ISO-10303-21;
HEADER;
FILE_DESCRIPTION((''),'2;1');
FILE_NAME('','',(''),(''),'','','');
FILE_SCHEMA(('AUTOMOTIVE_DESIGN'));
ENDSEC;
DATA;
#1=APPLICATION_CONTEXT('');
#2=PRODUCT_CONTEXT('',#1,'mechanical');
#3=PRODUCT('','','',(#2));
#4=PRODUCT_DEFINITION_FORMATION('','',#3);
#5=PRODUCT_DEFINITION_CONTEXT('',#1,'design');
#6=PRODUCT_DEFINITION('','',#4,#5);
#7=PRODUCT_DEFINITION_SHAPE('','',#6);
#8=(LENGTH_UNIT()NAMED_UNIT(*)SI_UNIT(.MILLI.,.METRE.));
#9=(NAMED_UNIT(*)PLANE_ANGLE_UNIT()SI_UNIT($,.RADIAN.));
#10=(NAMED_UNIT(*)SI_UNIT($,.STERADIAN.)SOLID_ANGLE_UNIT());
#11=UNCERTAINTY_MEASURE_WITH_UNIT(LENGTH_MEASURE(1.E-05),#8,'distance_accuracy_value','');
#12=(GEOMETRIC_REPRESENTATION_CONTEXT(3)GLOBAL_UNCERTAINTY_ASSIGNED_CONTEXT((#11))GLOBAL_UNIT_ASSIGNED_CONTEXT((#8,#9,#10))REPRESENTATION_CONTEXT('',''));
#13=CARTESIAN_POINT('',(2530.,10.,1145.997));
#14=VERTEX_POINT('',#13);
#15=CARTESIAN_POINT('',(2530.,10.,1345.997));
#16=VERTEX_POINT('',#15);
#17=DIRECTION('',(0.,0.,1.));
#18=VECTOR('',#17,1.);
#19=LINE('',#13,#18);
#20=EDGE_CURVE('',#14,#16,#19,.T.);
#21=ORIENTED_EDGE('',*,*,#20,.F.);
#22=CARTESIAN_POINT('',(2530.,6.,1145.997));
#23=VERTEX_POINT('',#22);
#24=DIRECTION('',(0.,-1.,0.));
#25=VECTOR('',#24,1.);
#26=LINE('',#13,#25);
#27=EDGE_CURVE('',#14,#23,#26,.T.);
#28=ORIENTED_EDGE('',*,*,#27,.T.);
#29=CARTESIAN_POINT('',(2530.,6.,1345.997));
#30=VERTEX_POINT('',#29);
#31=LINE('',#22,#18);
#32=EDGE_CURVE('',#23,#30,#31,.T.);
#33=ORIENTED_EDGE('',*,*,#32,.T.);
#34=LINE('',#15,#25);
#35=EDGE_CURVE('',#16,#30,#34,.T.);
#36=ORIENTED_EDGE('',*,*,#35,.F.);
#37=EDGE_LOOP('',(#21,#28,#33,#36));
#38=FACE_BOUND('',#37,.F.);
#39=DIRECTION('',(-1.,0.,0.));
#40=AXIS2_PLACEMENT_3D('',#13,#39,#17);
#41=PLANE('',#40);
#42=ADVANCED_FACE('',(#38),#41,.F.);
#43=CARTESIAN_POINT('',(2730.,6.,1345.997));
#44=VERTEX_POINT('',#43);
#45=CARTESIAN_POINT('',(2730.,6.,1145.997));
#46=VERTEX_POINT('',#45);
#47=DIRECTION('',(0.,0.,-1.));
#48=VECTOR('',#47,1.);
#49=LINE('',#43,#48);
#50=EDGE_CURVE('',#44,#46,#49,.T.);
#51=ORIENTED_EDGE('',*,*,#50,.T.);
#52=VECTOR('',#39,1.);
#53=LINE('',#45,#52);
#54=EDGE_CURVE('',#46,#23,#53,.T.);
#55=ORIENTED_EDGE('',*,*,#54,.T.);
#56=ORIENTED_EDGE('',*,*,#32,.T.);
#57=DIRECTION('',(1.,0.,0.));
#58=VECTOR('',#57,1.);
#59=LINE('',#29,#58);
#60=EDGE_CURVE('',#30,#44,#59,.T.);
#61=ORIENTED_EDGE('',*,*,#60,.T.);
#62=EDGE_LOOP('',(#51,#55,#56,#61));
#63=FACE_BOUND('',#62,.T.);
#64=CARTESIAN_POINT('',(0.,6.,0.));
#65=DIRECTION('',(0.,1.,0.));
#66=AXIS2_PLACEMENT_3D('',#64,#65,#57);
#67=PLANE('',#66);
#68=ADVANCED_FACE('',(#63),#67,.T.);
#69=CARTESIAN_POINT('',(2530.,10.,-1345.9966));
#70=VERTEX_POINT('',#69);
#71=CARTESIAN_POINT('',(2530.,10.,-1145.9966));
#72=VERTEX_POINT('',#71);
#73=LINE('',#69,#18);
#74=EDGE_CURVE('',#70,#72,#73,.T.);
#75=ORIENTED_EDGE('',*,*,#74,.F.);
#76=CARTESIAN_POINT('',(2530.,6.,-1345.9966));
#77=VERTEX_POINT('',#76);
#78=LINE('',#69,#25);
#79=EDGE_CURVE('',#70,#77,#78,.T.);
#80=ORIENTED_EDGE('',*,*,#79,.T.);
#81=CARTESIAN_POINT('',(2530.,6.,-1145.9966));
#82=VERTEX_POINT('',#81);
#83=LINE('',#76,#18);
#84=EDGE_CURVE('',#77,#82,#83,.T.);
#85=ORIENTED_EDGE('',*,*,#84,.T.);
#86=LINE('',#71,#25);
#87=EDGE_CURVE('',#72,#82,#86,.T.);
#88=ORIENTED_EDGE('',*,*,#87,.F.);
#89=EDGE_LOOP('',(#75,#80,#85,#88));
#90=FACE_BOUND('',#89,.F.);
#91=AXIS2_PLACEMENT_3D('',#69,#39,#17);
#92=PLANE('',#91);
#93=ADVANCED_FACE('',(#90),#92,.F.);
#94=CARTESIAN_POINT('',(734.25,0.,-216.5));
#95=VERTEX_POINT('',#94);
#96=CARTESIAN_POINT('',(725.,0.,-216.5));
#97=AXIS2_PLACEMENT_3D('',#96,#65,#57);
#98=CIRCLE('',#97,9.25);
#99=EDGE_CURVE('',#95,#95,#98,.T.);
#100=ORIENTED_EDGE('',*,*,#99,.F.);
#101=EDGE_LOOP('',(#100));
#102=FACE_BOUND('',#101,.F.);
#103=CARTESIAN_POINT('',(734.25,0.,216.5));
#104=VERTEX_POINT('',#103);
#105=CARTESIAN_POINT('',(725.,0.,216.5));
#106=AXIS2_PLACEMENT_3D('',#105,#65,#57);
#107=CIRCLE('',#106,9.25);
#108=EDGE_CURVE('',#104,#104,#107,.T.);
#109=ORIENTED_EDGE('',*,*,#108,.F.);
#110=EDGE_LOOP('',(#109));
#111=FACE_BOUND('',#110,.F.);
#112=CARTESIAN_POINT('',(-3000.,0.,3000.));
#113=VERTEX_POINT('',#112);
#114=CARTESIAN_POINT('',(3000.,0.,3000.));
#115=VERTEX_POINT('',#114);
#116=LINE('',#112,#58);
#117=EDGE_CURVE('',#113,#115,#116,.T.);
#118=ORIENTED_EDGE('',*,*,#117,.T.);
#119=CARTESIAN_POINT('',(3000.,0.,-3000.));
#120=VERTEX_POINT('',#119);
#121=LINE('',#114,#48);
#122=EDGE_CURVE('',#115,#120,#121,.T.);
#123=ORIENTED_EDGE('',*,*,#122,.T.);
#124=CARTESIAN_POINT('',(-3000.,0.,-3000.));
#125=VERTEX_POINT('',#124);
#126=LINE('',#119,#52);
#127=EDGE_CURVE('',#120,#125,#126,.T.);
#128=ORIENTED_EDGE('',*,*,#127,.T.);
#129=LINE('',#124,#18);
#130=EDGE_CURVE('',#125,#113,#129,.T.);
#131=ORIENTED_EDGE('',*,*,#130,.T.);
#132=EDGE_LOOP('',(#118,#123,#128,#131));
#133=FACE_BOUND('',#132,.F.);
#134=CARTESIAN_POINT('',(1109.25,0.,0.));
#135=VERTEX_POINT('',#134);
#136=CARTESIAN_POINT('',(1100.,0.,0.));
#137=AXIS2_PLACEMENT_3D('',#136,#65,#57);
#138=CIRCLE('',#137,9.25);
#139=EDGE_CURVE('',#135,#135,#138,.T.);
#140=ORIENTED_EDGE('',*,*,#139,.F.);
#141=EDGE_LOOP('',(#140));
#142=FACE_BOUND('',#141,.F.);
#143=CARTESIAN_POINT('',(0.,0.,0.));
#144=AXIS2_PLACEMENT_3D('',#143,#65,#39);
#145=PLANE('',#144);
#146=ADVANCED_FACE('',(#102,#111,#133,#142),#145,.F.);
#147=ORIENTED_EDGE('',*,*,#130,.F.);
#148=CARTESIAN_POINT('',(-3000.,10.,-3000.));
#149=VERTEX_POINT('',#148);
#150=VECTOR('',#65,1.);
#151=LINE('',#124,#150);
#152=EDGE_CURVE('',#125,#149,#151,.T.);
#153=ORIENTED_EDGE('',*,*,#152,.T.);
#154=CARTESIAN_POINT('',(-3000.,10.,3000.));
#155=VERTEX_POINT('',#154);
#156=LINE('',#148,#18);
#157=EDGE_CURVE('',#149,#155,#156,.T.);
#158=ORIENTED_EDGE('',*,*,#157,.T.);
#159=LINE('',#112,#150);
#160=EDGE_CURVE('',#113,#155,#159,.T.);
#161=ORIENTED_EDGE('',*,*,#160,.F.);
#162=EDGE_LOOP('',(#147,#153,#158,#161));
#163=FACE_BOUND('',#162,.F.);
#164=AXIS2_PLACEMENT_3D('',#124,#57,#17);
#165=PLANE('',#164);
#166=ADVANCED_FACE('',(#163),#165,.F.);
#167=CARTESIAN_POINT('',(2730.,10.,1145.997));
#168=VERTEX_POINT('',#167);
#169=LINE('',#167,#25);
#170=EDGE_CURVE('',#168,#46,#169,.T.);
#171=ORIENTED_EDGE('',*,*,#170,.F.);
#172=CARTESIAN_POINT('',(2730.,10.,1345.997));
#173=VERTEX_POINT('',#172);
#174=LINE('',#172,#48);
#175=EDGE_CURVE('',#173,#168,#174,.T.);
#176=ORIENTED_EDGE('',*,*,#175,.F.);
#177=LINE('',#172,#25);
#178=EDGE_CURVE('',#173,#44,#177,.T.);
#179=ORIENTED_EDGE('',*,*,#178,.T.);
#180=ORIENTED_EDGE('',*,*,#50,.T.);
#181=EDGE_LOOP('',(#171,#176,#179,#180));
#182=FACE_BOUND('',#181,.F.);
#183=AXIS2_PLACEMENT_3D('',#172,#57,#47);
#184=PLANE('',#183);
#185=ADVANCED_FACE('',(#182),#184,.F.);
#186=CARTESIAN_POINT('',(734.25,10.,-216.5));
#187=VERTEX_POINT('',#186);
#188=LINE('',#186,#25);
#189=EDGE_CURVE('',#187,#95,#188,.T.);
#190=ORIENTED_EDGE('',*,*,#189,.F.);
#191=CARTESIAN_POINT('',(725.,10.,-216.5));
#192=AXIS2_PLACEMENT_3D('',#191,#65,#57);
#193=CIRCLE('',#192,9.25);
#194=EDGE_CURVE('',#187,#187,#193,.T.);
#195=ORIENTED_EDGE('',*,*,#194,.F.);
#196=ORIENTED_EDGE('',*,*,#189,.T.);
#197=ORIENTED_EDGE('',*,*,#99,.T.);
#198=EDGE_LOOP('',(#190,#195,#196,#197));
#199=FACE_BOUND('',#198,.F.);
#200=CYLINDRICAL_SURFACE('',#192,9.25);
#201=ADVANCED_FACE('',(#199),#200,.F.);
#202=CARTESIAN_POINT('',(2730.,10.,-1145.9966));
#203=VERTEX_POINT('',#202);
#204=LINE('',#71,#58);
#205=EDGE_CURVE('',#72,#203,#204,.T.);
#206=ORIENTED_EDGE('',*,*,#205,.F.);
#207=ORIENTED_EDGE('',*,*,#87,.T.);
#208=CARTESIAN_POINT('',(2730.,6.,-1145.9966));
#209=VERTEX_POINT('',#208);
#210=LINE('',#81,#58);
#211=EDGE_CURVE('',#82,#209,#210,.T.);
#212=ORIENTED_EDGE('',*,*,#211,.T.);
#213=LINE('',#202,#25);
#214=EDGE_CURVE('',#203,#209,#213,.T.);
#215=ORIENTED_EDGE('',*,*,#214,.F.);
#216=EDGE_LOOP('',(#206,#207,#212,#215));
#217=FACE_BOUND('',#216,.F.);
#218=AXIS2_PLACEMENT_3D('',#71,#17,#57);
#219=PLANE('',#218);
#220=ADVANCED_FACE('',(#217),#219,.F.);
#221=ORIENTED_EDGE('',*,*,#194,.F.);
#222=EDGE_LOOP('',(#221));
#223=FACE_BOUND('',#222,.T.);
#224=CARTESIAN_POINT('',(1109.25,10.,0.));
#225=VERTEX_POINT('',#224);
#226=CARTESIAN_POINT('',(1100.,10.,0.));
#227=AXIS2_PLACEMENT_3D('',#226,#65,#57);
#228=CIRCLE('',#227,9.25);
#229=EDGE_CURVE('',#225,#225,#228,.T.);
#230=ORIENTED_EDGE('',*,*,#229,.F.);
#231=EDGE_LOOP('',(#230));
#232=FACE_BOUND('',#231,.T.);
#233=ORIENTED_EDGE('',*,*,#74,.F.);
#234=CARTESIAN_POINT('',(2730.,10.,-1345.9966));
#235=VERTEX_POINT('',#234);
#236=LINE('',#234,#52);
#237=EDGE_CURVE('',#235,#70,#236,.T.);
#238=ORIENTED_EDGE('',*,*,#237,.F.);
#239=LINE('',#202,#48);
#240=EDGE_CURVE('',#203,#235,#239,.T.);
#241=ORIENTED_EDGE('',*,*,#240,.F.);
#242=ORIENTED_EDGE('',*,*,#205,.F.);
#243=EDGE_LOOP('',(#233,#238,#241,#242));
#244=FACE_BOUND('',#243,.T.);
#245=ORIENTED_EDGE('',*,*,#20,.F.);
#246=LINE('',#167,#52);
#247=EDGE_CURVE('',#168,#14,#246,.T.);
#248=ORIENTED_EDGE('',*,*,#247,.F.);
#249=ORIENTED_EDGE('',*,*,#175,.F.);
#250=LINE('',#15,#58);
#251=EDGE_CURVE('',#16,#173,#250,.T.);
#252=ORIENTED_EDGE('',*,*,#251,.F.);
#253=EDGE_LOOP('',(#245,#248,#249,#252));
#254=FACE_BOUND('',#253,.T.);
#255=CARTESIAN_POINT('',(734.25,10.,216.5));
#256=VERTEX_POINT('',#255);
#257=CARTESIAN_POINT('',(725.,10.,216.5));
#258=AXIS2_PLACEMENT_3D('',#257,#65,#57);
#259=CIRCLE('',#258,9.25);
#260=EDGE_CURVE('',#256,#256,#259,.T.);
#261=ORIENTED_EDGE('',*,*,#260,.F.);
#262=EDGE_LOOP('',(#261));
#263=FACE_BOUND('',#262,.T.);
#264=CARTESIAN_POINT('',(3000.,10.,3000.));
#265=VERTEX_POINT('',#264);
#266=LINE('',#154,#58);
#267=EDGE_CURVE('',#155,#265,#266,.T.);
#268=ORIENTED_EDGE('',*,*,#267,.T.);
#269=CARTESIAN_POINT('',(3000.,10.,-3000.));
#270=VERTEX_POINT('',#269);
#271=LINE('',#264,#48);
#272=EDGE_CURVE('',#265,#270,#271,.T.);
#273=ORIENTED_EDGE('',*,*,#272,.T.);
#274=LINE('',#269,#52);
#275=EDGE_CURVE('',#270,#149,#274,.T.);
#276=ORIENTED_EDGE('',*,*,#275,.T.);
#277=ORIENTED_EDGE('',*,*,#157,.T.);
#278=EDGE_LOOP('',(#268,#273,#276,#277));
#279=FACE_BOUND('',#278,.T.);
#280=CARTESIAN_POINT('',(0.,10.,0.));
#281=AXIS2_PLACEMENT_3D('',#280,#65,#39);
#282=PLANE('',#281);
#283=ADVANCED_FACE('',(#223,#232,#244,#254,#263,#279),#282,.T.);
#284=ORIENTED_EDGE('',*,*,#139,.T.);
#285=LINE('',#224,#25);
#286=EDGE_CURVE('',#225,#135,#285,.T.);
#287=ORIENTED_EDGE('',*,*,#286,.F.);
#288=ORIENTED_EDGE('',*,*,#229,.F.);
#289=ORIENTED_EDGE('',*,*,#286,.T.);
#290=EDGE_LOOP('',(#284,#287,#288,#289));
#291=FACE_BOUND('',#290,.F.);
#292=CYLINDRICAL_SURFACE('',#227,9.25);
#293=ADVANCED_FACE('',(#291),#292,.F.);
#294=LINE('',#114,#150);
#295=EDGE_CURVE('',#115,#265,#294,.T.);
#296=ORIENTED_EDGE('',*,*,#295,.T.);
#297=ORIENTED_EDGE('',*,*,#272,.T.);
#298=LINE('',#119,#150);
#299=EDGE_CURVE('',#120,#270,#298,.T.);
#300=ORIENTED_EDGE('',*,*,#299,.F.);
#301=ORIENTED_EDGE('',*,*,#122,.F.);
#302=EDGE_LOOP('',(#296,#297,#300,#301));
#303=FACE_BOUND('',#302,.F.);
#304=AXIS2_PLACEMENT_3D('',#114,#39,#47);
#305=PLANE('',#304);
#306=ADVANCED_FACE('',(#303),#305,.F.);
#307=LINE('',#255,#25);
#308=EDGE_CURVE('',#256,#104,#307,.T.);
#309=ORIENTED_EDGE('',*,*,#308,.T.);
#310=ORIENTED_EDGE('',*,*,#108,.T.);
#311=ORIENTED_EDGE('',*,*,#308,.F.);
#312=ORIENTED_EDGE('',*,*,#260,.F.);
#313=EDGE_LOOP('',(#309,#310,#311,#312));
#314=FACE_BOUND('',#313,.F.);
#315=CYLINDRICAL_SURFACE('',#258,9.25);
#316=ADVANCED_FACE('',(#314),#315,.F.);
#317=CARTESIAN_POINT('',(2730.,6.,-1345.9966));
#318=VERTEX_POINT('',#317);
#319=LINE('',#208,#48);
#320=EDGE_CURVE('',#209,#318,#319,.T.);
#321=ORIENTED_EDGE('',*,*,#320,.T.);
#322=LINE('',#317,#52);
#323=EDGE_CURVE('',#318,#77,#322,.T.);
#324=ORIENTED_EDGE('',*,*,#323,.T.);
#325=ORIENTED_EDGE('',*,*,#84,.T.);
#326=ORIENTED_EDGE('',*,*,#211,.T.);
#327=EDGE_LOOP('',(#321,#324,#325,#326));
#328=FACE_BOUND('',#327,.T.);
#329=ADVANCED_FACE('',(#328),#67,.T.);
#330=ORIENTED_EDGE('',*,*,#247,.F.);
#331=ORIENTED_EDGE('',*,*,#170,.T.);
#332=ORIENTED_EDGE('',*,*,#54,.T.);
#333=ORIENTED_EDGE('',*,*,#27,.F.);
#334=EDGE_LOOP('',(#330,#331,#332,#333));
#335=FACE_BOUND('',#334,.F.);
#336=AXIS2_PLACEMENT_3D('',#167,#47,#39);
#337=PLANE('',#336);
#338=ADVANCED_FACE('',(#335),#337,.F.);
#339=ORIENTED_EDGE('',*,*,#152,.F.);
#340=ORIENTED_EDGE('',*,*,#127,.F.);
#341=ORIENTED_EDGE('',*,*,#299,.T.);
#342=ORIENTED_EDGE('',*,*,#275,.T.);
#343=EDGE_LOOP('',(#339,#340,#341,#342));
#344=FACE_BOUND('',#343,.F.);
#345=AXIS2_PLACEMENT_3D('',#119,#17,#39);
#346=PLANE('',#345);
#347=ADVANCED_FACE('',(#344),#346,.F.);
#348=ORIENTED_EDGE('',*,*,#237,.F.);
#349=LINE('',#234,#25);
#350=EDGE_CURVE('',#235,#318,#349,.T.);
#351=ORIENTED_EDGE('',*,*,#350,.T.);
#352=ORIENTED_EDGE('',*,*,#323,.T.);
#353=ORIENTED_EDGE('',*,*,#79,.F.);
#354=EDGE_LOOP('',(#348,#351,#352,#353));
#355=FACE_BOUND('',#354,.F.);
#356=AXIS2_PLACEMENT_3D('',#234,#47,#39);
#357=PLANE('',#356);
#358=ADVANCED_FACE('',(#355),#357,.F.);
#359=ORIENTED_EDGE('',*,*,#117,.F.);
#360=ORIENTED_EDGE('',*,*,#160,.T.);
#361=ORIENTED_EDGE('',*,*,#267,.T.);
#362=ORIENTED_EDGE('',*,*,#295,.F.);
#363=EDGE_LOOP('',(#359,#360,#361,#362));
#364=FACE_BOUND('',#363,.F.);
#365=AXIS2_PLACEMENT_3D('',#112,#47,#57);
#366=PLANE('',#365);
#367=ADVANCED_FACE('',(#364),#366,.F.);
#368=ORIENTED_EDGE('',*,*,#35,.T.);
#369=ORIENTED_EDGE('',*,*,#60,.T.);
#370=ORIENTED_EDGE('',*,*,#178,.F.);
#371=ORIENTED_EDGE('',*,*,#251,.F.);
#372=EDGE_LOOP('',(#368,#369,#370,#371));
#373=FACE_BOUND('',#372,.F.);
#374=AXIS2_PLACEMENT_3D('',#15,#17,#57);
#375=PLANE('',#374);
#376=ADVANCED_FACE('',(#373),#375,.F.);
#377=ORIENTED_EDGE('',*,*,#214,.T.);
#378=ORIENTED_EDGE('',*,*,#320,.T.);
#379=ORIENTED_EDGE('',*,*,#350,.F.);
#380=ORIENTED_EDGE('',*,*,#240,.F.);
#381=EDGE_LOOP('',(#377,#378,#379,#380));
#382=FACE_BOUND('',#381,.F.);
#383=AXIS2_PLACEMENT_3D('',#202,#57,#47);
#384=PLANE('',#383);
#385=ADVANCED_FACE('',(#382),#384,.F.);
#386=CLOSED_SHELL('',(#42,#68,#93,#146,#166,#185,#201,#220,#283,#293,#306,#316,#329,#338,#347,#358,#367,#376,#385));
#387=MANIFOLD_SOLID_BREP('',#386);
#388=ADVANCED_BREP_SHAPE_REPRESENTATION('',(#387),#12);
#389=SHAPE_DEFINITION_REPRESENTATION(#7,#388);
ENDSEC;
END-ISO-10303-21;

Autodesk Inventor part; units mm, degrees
ref_plane "YZ Plane" through (0, 0, 0) normal (1, 0, 0) x (0, 1, 0)
ref_plane "XZ Plane" through (0, 0, 0) normal (0, 1, 0) x (-1, 0, 0)
ref_plane "XY Plane" through (0, 0, 0) normal (0, 0, 1) x (1, 0, 0)
sketch "Boceto1" plane through (0, 0, 0) normal (0, 1, 0) x (-1, 0, 0)
  line L0 (3000, 3000) -> (-3000, 3000)
  line L1 (-3000, 3000) -> (-3000, -3000)
  line L2 (-3000, -3000) -> (3000, -3000)
  line L3 (3000, -3000) -> (3000, 3000)
  point P0 (0, 0)
  dimension "d0" = 6000
  dimension "d1" = 6000
extrude "Extrusión1" add sketch "Boceto1" along normal blind 10
sketch "Boceto2" plane through (0, 10, 0) normal (0, 1, 0) x (1, 0, 0)
  circle A0 centre (1100, 0) radius 9.25
  line L0 (3000, -3000) -> (3000, 3000) projected
  circle A1 centre (725, 0) radius 9.25
  circle A2 centre (725, -216.5) radius 9.25
  circle A3 centre (725, 216.5) radius 9.25
  point P0 (0, 0)
  dimension "d4" = 18.5
  dimension "d5" = 1900
  dimension "d6" = 18.5
  dimension "d7" = 375
  dimension "d8" = 18.5
  dimension "d9" = 18.5
  dimension "d10" = 216.5
  dimension "d14" = 375
extrude "Extrusión2" cut sketch "Boceto2" against normal blind 10 contours A0 | A2 | A3
sketch "Boceto3" plane through (0, 10, 0) normal (0, 1, 0) x (1, 0, 0)
  line L0 (2730, -1145.997) -> (2530, -1145.997)
  line L1 (2530, -1145.997) -> (2530, -1345.997)
  line L2 (2530, -1345.997) -> (2730, -1345.997)
  line L3 (2730, -1345.997) -> (2730, -1145.997)
  line L4 (2730, 1345.9966) -> (2530, 1345.9966)
  line L5 (2530, 1345.9966) -> (2530, 1145.9966)
  line L6 (2530, 1145.9966) -> (2730, 1145.9966)
  line L7 (2730, 1145.9966) -> (2730, 1345.9966)
  circle A0 centre (1100, 0) radius 9.25 projected
  point P0 (0, 0)
  point P1 (2630, -1345.997)
  point P2 (2630, 1345.9966)
  point P3 (2730, -1245.997)
  dimension "d15" = 200
  dimension "d16" = 200
  dimension "d17" = 200
  dimension "d18" = 2691.9936
  dimension "d19" = 1345.997
  dimension "d21" = 1630
extrude "Extrusión3" cut sketch "Boceto3" against normal blind 4 contours L3 L2 L1 L0 | L7 L6 L5 L4
properties part number "Piso"
